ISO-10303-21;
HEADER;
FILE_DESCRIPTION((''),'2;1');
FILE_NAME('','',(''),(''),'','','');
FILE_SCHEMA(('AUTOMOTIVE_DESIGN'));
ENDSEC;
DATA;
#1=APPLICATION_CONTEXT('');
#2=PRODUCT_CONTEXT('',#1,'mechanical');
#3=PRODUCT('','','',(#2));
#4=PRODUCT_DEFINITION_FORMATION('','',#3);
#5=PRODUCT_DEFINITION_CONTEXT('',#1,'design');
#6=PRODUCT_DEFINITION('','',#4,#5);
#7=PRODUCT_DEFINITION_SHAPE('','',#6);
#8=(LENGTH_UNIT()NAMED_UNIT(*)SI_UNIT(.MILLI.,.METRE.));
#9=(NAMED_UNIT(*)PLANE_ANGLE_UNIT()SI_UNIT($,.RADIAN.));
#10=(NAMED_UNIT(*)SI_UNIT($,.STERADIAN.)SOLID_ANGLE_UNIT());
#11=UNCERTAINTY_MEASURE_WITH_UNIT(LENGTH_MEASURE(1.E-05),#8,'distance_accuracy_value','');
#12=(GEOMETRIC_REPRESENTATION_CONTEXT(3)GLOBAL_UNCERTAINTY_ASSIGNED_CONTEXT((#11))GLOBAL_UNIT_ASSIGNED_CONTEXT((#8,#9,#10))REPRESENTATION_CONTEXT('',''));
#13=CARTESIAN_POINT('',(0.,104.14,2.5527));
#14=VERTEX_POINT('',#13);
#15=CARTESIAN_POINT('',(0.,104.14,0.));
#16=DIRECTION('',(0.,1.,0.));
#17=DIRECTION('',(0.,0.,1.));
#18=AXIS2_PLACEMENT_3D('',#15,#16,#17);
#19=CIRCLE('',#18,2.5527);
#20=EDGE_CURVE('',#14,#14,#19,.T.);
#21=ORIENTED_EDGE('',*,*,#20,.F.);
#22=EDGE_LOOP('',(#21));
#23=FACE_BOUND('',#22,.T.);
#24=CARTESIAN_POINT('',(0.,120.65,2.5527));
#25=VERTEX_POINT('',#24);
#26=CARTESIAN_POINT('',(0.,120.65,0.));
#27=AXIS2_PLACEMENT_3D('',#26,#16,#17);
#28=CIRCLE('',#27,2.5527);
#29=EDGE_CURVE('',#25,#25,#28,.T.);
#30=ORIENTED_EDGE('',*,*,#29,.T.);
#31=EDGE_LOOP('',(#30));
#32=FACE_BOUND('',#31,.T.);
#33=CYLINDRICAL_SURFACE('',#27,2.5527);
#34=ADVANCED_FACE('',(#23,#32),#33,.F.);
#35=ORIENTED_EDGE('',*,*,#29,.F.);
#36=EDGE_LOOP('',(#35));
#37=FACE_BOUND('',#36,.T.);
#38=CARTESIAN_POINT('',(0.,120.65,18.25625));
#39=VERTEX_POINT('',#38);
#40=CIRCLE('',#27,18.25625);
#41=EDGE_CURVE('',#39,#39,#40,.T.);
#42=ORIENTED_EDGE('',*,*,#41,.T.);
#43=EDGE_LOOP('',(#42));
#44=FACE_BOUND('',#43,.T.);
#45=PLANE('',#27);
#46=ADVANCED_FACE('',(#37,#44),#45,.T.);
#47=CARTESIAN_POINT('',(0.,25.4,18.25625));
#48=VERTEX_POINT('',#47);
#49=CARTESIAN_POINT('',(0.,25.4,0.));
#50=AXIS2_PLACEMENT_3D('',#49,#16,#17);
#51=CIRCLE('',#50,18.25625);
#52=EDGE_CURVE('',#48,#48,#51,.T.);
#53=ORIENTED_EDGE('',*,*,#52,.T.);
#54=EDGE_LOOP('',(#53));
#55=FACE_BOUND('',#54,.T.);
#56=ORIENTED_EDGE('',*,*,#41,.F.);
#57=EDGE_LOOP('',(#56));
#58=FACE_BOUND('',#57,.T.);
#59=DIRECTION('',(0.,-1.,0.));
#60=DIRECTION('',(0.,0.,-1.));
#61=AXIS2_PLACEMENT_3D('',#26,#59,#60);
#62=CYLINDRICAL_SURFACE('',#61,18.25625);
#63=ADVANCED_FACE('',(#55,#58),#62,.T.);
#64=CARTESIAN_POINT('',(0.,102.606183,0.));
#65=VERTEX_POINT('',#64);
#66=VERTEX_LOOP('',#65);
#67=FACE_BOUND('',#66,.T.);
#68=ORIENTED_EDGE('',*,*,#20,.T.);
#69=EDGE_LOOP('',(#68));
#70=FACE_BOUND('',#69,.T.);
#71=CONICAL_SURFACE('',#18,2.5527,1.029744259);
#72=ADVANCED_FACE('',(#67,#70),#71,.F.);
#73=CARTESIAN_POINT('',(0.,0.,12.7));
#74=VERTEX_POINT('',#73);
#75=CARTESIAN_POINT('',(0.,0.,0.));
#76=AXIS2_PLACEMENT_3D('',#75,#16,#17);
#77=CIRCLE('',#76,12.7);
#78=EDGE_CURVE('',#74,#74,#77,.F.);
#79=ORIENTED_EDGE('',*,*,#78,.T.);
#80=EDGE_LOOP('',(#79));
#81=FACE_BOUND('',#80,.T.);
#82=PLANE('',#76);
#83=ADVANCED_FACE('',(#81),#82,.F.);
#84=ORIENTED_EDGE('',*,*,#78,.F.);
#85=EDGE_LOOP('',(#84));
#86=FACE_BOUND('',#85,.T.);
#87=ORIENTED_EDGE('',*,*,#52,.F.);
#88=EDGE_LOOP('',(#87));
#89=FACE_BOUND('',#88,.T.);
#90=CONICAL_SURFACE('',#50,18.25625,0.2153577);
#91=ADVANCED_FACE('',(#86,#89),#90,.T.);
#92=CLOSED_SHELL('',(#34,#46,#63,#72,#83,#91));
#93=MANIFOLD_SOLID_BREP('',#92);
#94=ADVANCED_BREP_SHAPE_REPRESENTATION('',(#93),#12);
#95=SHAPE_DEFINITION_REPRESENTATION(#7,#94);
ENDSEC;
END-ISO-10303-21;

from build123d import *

# Parameters (mm, degrees)
SKETCH1_R                   = 18.25625
BOSS_EXTRUDE1_DEPTH         = 120.65
CHAMFER1_SIZE               = 5.55625
CHAMFER1_SIZE2              = 25.4
F_1_4_20_TAPPED_HOLE1_D     = 5.1054
F_1_4_20_TAPPED_HOLE1_DEPTH = 16.51
F_1_4_20_TAPPED_HOLE1_TIP   = 1.533816902


with BuildPart() as part:
    # Sketch1 → Boss-Extrude1 (new body)
    with BuildSketch(Plane(origin=(0, 0, 0), x_dir=(1, 0, 0), z_dir=(0, 1, 0))):
        Circle(SKETCH1_R)
    extrude(amount=BOSS_EXTRUDE1_DEPTH)

    # Chamfer1
    chamfer1_edges = [part.edges().sort_by_distance(p)[0] for p in [
        (-18.25625, 0, 0),
    ]]
    chamfer1_side = [part.faces().sort_by_distance(p)[0] for p in [
        (0, 0, 0),
    ]]
    chamfer(chamfer1_edges, length=CHAMFER1_SIZE, length2=CHAMFER1_SIZE2, reference=chamfer1_side[0])

    # 1/4-20 Tapped Hole1
    with Locations(Plane(origin=(0, 120.65, 0), x_dir=(1, 0, 0), z_dir=(0, 1, 0))):
        with Locations((0, 0)):
            Hole(F_1_4_20_TAPPED_HOLE1_D / 2, depth=F_1_4_20_TAPPED_HOLE1_DEPTH)
            with Locations((0, 0, -(F_1_4_20_TAPPED_HOLE1_DEPTH + F_1_4_20_TAPPED_HOLE1_TIP / 2))):  # 118° drill point
                Cone(0, F_1_4_20_TAPPED_HOLE1_D / 2, F_1_4_20_TAPPED_HOLE1_TIP, mode=Mode.SUBTRACT)


solid = part.part
